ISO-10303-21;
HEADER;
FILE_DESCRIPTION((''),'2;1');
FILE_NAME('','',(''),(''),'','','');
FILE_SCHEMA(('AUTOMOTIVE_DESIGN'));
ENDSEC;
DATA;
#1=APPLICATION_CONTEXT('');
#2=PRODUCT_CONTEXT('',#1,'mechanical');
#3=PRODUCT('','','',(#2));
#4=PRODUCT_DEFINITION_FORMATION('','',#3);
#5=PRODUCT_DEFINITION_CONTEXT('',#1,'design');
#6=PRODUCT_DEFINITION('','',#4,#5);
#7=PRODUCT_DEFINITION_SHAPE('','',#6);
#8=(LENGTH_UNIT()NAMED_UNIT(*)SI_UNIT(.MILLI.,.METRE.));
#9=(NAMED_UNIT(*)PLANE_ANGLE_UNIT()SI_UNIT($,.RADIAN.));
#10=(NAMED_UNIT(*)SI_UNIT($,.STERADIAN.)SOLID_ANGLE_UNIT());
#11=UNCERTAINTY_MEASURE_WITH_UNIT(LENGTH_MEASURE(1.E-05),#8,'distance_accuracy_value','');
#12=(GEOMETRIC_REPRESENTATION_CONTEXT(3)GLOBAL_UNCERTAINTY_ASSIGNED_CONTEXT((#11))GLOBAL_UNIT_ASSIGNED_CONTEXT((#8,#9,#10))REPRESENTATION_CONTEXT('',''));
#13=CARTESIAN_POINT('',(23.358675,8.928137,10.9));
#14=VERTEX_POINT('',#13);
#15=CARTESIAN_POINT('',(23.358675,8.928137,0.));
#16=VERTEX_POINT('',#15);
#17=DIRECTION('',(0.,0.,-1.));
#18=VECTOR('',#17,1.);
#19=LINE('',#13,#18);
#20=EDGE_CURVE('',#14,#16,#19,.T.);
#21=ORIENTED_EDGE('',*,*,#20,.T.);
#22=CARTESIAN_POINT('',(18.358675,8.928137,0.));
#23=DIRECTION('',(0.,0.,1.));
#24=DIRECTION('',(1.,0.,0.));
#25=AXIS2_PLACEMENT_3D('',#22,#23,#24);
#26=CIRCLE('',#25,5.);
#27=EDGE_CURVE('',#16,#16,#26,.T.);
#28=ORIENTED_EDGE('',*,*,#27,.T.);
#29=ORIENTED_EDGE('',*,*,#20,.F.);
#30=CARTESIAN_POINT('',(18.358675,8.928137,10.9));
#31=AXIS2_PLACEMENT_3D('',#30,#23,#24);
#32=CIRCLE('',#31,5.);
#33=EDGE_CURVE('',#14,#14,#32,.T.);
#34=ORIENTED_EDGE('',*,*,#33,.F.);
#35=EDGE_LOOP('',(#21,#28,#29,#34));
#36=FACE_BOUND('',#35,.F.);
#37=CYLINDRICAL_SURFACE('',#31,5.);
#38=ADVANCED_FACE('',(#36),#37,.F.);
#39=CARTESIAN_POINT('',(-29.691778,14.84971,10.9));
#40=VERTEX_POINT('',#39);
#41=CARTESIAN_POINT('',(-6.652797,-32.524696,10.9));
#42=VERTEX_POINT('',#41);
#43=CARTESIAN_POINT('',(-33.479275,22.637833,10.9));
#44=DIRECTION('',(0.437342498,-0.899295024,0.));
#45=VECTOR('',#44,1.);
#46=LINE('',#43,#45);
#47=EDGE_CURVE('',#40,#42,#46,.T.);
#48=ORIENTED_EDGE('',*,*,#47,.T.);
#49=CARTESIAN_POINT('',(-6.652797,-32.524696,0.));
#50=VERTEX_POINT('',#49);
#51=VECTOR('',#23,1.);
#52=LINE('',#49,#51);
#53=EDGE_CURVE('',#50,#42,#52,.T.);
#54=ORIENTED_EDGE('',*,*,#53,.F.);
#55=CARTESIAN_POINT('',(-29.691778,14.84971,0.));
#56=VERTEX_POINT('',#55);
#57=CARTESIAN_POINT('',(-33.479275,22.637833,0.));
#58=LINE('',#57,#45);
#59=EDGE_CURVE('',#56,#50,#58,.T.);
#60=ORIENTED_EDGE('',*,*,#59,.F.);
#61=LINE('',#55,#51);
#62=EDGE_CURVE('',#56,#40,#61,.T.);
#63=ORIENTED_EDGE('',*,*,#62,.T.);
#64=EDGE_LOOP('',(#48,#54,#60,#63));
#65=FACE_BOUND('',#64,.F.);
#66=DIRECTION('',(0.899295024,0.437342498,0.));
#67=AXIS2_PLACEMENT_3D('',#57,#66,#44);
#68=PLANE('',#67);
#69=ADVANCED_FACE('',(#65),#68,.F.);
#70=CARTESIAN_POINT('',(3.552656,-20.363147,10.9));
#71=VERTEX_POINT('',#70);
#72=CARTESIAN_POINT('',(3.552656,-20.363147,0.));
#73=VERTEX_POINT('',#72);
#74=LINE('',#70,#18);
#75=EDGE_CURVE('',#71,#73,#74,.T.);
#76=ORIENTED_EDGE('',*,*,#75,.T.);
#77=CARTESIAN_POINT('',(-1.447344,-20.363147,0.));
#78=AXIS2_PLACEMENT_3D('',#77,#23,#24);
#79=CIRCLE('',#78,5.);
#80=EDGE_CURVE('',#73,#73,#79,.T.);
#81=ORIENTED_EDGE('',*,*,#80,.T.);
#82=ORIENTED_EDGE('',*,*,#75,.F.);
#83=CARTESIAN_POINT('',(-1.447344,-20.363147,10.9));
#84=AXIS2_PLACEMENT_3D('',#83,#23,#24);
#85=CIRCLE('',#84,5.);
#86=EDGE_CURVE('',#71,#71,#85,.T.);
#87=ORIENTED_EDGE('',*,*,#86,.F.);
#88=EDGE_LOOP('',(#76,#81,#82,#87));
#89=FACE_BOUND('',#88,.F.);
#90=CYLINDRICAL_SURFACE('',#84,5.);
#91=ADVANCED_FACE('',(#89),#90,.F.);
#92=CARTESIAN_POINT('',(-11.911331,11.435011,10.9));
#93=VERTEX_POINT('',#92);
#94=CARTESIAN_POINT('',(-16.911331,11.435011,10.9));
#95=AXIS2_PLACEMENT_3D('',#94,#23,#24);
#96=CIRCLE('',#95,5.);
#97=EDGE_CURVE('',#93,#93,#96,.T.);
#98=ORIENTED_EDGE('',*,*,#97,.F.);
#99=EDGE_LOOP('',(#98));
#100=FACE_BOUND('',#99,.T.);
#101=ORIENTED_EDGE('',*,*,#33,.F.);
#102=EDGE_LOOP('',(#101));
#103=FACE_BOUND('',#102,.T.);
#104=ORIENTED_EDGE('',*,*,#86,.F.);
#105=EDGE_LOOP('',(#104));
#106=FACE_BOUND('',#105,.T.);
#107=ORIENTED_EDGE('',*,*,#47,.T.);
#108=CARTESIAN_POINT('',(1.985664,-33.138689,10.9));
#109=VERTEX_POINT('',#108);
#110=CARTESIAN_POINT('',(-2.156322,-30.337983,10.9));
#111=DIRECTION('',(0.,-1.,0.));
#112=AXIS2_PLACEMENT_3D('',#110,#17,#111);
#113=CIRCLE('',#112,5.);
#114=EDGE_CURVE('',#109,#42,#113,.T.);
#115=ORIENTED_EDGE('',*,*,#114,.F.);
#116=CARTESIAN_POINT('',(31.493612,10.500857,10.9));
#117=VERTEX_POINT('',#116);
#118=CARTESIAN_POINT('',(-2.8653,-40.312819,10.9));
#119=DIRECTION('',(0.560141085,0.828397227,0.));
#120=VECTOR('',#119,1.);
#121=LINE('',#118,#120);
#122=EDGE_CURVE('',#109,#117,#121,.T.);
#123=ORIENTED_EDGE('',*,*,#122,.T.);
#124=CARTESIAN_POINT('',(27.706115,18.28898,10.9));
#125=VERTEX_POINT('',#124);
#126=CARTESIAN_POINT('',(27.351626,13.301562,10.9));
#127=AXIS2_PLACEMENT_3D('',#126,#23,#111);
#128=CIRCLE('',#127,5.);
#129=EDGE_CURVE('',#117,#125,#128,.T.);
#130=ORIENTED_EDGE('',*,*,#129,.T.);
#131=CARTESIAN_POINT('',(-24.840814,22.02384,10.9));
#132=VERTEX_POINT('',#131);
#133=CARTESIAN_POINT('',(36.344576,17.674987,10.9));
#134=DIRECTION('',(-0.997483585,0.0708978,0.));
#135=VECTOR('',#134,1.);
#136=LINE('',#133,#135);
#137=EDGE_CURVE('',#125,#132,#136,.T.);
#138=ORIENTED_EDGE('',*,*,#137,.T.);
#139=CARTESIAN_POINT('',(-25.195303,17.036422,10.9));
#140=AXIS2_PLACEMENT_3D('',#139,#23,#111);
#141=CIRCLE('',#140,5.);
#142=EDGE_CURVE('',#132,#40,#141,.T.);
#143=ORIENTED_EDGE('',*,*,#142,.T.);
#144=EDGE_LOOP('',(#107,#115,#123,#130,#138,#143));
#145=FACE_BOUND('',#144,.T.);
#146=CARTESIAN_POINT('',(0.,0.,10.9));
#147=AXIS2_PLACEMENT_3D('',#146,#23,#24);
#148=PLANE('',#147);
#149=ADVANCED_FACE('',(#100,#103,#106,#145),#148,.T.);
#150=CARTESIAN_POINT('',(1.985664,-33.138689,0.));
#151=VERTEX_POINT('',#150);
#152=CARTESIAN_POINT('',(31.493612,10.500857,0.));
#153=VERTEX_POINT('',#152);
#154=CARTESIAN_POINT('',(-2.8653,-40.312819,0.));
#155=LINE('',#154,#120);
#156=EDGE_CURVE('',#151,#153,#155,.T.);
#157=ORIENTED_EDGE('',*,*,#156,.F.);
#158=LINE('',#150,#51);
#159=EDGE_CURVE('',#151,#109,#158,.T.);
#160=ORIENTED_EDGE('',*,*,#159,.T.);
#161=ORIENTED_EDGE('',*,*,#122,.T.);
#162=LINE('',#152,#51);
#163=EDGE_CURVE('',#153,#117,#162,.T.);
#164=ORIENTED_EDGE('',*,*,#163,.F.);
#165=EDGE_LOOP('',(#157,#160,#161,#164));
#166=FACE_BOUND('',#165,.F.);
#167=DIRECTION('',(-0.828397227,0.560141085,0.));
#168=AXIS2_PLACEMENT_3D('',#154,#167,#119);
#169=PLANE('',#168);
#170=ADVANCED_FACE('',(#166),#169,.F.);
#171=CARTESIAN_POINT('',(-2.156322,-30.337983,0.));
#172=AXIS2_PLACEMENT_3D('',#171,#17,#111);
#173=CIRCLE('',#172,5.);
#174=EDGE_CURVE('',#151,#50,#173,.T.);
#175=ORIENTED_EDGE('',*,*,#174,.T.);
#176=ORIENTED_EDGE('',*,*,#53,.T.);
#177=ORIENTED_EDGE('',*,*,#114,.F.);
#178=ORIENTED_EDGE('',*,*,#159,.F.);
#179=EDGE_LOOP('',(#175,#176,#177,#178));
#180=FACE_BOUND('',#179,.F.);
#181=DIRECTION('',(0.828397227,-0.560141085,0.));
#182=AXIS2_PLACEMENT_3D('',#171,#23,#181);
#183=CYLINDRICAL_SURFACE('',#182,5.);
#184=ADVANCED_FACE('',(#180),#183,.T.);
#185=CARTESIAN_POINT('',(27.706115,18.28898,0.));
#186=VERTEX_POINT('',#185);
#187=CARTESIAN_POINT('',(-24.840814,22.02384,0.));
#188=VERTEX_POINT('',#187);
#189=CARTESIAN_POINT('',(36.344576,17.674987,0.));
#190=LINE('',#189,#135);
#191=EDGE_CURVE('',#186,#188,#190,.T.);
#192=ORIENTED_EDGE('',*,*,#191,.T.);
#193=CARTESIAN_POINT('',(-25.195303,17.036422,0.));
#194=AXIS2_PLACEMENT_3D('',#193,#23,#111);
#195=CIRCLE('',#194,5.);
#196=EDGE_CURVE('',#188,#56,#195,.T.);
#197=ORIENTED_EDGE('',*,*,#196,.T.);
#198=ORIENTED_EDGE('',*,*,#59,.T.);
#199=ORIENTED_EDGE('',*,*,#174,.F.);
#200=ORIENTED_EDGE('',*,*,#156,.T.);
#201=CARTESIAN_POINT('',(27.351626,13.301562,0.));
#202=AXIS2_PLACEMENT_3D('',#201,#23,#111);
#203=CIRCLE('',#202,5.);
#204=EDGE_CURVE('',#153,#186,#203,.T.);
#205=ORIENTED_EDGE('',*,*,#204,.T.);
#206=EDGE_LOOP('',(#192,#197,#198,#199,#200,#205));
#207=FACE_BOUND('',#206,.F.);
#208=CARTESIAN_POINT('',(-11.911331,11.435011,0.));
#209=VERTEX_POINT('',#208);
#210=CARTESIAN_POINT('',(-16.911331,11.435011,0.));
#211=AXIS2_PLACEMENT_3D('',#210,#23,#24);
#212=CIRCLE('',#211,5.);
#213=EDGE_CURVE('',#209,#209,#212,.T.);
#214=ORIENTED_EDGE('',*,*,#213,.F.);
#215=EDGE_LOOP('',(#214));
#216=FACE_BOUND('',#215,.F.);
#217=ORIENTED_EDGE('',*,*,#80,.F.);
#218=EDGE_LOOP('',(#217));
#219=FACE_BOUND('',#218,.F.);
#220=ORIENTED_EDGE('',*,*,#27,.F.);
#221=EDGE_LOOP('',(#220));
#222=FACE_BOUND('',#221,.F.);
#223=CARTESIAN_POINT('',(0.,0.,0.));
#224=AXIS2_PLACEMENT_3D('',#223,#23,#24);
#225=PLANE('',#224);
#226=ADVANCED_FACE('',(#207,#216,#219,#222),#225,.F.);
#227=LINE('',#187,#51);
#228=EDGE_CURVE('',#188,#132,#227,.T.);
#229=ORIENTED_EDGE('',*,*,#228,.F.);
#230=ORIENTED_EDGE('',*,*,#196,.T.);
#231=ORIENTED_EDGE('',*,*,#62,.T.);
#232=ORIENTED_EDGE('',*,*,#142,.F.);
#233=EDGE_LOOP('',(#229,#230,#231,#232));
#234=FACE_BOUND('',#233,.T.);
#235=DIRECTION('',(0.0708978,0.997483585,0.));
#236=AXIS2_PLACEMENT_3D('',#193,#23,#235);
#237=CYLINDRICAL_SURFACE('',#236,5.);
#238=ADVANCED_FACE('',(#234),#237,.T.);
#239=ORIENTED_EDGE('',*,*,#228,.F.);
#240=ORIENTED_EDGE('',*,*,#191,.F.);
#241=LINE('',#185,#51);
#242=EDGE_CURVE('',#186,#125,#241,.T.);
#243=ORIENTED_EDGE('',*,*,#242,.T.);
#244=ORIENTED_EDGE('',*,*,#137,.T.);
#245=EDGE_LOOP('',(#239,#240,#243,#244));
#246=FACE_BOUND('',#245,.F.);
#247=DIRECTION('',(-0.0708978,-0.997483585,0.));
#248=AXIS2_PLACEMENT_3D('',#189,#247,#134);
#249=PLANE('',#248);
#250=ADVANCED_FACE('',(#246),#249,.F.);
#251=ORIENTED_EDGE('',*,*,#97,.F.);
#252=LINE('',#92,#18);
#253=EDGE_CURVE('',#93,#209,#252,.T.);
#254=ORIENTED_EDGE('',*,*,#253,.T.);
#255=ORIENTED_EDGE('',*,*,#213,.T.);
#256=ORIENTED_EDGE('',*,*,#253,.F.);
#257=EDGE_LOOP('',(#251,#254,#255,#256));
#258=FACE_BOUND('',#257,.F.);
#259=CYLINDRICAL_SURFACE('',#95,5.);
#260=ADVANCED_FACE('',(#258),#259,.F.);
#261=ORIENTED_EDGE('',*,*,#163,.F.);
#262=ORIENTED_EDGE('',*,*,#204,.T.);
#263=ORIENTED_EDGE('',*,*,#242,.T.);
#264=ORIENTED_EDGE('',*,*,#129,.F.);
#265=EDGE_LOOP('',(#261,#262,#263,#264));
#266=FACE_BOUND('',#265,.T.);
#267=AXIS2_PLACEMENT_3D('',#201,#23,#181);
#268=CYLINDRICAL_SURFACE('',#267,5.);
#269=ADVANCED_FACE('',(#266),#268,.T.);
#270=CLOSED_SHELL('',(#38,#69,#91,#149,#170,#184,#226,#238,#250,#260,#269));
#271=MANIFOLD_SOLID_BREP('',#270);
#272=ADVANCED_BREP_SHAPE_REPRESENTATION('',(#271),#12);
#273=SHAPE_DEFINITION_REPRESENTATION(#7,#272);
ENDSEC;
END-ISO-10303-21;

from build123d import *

# Parameters (mm, degrees)
F1_DEPTH = 10.9
F2_R     = 5
F3_R     = 5
F4_DEPTH = 25


with BuildPart() as f1:
    # F0 (on Top) → F1 (new body)
    with BuildSketch(Plane.XY):
        Polygon((-2.8653, -40.312819), (36.344576, 17.674987), (-33.479275, 22.637833), align=None)
    extrude(amount=F1_DEPTH)

    # F2
    f2_edges = [f1.edges().sort_by_distance(p)[0] for p in [
        (36.344576, 17.674987, 5.45),
        (-2.8653, -40.312819, 5.45),
        (-33.479275, 22.637833, 5.45),
    ]]
    fillet(f2_edges, radius=F2_R)

    # F3 (on face) → F4 (cut)
    with BuildSketch(Plane.XY.offset(10.9)):
        with Locations((-1.447344, -20.363147)):
            Circle(F3_R)
        with Locations((18.358675, 8.928137)):
            Circle(F3_R)
        with Locations((-16.911331, 11.435011)):
            Circle(F3_R)
    extrude(amount=-F4_DEPTH, mode=Mode.SUBTRACT)


solid = f1.part
